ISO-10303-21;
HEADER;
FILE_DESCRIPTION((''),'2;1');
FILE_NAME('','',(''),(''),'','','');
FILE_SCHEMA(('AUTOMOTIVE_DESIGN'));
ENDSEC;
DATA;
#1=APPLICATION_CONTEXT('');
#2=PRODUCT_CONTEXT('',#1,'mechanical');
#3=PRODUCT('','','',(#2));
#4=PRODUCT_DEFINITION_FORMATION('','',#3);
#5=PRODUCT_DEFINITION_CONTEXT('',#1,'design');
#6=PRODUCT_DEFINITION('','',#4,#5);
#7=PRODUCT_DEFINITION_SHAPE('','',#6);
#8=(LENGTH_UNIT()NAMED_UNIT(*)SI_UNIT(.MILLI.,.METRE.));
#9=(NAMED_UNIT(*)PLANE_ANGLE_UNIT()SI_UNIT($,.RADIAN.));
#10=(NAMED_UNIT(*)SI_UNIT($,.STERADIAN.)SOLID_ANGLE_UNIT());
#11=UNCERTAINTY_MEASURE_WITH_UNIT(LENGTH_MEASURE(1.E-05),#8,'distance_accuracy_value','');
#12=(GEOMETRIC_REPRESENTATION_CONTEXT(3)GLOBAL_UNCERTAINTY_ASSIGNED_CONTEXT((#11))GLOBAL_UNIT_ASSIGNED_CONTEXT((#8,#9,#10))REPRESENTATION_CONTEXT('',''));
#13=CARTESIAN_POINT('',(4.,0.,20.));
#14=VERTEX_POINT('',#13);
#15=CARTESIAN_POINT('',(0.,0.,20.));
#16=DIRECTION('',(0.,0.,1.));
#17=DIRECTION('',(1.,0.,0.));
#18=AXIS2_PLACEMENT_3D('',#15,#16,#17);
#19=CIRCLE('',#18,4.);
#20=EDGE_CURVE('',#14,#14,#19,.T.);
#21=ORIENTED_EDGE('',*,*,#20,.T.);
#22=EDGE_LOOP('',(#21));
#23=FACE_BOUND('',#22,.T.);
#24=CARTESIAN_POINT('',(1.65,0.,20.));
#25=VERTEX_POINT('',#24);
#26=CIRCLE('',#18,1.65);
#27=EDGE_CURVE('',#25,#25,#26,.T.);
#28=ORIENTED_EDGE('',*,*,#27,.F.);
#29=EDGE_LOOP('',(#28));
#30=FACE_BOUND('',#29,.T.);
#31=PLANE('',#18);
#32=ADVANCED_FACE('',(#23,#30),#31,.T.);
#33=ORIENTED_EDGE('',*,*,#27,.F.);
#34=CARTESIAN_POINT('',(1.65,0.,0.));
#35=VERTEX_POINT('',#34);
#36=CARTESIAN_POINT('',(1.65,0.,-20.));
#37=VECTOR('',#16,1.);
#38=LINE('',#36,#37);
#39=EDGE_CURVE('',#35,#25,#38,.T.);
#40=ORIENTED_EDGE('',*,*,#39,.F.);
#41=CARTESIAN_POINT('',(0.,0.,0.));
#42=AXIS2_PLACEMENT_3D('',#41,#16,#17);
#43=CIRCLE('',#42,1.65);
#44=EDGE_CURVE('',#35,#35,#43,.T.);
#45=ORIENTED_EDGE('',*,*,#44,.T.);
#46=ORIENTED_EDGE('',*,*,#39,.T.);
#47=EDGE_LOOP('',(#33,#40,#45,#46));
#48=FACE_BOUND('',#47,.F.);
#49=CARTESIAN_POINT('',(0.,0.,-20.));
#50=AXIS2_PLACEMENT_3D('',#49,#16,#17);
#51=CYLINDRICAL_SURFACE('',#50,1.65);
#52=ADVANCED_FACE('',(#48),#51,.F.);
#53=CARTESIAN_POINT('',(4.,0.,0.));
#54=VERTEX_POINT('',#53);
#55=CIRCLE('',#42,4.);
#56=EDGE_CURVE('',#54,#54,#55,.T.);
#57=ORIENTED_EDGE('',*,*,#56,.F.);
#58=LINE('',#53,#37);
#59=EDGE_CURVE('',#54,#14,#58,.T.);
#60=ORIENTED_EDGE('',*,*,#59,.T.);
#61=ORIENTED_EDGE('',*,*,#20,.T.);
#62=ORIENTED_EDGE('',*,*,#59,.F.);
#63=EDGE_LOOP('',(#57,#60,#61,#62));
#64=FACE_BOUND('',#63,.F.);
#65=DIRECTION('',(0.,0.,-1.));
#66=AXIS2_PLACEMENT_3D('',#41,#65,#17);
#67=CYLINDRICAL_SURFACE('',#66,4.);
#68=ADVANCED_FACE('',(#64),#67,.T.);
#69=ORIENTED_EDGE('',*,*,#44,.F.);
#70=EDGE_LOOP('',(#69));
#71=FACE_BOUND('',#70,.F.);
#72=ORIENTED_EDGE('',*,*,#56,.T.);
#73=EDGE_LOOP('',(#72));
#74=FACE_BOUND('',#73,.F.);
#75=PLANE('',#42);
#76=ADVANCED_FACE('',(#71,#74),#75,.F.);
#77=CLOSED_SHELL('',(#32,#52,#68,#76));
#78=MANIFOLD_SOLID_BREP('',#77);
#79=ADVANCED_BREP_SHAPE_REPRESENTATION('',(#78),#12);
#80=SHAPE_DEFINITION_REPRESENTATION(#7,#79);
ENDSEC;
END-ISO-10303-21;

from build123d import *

# Parameters (mm, degrees)
SKETCH1_R                       = 4
BOSS_EXTRUDE1_DEPTH             = 20
TAP_DRILL_FOR_M4X0_7_TAP1_D     = 3.3
TAP_DRILL_FOR_M4X0_7_TAP1_DEPTH = 20


with BuildPart() as part:
    # Sketch1 → Boss-Extrude1 (new body)
    with BuildSketch(Plane.XY):
        Circle(SKETCH1_R)
    extrude(amount=BOSS_EXTRUDE1_DEPTH)

    # Tap Drill for M4x0.7 Tap1
    with Locations(Plane(origin=(0, 0, 0), x_dir=(-1, 0, 0), z_dir=(0, 0, -1))):
        with Locations((0, 0)):
            Hole(TAP_DRILL_FOR_M4X0_7_TAP1_D / 2, depth=TAP_DRILL_FOR_M4X0_7_TAP1_DEPTH)


solid = part.part
